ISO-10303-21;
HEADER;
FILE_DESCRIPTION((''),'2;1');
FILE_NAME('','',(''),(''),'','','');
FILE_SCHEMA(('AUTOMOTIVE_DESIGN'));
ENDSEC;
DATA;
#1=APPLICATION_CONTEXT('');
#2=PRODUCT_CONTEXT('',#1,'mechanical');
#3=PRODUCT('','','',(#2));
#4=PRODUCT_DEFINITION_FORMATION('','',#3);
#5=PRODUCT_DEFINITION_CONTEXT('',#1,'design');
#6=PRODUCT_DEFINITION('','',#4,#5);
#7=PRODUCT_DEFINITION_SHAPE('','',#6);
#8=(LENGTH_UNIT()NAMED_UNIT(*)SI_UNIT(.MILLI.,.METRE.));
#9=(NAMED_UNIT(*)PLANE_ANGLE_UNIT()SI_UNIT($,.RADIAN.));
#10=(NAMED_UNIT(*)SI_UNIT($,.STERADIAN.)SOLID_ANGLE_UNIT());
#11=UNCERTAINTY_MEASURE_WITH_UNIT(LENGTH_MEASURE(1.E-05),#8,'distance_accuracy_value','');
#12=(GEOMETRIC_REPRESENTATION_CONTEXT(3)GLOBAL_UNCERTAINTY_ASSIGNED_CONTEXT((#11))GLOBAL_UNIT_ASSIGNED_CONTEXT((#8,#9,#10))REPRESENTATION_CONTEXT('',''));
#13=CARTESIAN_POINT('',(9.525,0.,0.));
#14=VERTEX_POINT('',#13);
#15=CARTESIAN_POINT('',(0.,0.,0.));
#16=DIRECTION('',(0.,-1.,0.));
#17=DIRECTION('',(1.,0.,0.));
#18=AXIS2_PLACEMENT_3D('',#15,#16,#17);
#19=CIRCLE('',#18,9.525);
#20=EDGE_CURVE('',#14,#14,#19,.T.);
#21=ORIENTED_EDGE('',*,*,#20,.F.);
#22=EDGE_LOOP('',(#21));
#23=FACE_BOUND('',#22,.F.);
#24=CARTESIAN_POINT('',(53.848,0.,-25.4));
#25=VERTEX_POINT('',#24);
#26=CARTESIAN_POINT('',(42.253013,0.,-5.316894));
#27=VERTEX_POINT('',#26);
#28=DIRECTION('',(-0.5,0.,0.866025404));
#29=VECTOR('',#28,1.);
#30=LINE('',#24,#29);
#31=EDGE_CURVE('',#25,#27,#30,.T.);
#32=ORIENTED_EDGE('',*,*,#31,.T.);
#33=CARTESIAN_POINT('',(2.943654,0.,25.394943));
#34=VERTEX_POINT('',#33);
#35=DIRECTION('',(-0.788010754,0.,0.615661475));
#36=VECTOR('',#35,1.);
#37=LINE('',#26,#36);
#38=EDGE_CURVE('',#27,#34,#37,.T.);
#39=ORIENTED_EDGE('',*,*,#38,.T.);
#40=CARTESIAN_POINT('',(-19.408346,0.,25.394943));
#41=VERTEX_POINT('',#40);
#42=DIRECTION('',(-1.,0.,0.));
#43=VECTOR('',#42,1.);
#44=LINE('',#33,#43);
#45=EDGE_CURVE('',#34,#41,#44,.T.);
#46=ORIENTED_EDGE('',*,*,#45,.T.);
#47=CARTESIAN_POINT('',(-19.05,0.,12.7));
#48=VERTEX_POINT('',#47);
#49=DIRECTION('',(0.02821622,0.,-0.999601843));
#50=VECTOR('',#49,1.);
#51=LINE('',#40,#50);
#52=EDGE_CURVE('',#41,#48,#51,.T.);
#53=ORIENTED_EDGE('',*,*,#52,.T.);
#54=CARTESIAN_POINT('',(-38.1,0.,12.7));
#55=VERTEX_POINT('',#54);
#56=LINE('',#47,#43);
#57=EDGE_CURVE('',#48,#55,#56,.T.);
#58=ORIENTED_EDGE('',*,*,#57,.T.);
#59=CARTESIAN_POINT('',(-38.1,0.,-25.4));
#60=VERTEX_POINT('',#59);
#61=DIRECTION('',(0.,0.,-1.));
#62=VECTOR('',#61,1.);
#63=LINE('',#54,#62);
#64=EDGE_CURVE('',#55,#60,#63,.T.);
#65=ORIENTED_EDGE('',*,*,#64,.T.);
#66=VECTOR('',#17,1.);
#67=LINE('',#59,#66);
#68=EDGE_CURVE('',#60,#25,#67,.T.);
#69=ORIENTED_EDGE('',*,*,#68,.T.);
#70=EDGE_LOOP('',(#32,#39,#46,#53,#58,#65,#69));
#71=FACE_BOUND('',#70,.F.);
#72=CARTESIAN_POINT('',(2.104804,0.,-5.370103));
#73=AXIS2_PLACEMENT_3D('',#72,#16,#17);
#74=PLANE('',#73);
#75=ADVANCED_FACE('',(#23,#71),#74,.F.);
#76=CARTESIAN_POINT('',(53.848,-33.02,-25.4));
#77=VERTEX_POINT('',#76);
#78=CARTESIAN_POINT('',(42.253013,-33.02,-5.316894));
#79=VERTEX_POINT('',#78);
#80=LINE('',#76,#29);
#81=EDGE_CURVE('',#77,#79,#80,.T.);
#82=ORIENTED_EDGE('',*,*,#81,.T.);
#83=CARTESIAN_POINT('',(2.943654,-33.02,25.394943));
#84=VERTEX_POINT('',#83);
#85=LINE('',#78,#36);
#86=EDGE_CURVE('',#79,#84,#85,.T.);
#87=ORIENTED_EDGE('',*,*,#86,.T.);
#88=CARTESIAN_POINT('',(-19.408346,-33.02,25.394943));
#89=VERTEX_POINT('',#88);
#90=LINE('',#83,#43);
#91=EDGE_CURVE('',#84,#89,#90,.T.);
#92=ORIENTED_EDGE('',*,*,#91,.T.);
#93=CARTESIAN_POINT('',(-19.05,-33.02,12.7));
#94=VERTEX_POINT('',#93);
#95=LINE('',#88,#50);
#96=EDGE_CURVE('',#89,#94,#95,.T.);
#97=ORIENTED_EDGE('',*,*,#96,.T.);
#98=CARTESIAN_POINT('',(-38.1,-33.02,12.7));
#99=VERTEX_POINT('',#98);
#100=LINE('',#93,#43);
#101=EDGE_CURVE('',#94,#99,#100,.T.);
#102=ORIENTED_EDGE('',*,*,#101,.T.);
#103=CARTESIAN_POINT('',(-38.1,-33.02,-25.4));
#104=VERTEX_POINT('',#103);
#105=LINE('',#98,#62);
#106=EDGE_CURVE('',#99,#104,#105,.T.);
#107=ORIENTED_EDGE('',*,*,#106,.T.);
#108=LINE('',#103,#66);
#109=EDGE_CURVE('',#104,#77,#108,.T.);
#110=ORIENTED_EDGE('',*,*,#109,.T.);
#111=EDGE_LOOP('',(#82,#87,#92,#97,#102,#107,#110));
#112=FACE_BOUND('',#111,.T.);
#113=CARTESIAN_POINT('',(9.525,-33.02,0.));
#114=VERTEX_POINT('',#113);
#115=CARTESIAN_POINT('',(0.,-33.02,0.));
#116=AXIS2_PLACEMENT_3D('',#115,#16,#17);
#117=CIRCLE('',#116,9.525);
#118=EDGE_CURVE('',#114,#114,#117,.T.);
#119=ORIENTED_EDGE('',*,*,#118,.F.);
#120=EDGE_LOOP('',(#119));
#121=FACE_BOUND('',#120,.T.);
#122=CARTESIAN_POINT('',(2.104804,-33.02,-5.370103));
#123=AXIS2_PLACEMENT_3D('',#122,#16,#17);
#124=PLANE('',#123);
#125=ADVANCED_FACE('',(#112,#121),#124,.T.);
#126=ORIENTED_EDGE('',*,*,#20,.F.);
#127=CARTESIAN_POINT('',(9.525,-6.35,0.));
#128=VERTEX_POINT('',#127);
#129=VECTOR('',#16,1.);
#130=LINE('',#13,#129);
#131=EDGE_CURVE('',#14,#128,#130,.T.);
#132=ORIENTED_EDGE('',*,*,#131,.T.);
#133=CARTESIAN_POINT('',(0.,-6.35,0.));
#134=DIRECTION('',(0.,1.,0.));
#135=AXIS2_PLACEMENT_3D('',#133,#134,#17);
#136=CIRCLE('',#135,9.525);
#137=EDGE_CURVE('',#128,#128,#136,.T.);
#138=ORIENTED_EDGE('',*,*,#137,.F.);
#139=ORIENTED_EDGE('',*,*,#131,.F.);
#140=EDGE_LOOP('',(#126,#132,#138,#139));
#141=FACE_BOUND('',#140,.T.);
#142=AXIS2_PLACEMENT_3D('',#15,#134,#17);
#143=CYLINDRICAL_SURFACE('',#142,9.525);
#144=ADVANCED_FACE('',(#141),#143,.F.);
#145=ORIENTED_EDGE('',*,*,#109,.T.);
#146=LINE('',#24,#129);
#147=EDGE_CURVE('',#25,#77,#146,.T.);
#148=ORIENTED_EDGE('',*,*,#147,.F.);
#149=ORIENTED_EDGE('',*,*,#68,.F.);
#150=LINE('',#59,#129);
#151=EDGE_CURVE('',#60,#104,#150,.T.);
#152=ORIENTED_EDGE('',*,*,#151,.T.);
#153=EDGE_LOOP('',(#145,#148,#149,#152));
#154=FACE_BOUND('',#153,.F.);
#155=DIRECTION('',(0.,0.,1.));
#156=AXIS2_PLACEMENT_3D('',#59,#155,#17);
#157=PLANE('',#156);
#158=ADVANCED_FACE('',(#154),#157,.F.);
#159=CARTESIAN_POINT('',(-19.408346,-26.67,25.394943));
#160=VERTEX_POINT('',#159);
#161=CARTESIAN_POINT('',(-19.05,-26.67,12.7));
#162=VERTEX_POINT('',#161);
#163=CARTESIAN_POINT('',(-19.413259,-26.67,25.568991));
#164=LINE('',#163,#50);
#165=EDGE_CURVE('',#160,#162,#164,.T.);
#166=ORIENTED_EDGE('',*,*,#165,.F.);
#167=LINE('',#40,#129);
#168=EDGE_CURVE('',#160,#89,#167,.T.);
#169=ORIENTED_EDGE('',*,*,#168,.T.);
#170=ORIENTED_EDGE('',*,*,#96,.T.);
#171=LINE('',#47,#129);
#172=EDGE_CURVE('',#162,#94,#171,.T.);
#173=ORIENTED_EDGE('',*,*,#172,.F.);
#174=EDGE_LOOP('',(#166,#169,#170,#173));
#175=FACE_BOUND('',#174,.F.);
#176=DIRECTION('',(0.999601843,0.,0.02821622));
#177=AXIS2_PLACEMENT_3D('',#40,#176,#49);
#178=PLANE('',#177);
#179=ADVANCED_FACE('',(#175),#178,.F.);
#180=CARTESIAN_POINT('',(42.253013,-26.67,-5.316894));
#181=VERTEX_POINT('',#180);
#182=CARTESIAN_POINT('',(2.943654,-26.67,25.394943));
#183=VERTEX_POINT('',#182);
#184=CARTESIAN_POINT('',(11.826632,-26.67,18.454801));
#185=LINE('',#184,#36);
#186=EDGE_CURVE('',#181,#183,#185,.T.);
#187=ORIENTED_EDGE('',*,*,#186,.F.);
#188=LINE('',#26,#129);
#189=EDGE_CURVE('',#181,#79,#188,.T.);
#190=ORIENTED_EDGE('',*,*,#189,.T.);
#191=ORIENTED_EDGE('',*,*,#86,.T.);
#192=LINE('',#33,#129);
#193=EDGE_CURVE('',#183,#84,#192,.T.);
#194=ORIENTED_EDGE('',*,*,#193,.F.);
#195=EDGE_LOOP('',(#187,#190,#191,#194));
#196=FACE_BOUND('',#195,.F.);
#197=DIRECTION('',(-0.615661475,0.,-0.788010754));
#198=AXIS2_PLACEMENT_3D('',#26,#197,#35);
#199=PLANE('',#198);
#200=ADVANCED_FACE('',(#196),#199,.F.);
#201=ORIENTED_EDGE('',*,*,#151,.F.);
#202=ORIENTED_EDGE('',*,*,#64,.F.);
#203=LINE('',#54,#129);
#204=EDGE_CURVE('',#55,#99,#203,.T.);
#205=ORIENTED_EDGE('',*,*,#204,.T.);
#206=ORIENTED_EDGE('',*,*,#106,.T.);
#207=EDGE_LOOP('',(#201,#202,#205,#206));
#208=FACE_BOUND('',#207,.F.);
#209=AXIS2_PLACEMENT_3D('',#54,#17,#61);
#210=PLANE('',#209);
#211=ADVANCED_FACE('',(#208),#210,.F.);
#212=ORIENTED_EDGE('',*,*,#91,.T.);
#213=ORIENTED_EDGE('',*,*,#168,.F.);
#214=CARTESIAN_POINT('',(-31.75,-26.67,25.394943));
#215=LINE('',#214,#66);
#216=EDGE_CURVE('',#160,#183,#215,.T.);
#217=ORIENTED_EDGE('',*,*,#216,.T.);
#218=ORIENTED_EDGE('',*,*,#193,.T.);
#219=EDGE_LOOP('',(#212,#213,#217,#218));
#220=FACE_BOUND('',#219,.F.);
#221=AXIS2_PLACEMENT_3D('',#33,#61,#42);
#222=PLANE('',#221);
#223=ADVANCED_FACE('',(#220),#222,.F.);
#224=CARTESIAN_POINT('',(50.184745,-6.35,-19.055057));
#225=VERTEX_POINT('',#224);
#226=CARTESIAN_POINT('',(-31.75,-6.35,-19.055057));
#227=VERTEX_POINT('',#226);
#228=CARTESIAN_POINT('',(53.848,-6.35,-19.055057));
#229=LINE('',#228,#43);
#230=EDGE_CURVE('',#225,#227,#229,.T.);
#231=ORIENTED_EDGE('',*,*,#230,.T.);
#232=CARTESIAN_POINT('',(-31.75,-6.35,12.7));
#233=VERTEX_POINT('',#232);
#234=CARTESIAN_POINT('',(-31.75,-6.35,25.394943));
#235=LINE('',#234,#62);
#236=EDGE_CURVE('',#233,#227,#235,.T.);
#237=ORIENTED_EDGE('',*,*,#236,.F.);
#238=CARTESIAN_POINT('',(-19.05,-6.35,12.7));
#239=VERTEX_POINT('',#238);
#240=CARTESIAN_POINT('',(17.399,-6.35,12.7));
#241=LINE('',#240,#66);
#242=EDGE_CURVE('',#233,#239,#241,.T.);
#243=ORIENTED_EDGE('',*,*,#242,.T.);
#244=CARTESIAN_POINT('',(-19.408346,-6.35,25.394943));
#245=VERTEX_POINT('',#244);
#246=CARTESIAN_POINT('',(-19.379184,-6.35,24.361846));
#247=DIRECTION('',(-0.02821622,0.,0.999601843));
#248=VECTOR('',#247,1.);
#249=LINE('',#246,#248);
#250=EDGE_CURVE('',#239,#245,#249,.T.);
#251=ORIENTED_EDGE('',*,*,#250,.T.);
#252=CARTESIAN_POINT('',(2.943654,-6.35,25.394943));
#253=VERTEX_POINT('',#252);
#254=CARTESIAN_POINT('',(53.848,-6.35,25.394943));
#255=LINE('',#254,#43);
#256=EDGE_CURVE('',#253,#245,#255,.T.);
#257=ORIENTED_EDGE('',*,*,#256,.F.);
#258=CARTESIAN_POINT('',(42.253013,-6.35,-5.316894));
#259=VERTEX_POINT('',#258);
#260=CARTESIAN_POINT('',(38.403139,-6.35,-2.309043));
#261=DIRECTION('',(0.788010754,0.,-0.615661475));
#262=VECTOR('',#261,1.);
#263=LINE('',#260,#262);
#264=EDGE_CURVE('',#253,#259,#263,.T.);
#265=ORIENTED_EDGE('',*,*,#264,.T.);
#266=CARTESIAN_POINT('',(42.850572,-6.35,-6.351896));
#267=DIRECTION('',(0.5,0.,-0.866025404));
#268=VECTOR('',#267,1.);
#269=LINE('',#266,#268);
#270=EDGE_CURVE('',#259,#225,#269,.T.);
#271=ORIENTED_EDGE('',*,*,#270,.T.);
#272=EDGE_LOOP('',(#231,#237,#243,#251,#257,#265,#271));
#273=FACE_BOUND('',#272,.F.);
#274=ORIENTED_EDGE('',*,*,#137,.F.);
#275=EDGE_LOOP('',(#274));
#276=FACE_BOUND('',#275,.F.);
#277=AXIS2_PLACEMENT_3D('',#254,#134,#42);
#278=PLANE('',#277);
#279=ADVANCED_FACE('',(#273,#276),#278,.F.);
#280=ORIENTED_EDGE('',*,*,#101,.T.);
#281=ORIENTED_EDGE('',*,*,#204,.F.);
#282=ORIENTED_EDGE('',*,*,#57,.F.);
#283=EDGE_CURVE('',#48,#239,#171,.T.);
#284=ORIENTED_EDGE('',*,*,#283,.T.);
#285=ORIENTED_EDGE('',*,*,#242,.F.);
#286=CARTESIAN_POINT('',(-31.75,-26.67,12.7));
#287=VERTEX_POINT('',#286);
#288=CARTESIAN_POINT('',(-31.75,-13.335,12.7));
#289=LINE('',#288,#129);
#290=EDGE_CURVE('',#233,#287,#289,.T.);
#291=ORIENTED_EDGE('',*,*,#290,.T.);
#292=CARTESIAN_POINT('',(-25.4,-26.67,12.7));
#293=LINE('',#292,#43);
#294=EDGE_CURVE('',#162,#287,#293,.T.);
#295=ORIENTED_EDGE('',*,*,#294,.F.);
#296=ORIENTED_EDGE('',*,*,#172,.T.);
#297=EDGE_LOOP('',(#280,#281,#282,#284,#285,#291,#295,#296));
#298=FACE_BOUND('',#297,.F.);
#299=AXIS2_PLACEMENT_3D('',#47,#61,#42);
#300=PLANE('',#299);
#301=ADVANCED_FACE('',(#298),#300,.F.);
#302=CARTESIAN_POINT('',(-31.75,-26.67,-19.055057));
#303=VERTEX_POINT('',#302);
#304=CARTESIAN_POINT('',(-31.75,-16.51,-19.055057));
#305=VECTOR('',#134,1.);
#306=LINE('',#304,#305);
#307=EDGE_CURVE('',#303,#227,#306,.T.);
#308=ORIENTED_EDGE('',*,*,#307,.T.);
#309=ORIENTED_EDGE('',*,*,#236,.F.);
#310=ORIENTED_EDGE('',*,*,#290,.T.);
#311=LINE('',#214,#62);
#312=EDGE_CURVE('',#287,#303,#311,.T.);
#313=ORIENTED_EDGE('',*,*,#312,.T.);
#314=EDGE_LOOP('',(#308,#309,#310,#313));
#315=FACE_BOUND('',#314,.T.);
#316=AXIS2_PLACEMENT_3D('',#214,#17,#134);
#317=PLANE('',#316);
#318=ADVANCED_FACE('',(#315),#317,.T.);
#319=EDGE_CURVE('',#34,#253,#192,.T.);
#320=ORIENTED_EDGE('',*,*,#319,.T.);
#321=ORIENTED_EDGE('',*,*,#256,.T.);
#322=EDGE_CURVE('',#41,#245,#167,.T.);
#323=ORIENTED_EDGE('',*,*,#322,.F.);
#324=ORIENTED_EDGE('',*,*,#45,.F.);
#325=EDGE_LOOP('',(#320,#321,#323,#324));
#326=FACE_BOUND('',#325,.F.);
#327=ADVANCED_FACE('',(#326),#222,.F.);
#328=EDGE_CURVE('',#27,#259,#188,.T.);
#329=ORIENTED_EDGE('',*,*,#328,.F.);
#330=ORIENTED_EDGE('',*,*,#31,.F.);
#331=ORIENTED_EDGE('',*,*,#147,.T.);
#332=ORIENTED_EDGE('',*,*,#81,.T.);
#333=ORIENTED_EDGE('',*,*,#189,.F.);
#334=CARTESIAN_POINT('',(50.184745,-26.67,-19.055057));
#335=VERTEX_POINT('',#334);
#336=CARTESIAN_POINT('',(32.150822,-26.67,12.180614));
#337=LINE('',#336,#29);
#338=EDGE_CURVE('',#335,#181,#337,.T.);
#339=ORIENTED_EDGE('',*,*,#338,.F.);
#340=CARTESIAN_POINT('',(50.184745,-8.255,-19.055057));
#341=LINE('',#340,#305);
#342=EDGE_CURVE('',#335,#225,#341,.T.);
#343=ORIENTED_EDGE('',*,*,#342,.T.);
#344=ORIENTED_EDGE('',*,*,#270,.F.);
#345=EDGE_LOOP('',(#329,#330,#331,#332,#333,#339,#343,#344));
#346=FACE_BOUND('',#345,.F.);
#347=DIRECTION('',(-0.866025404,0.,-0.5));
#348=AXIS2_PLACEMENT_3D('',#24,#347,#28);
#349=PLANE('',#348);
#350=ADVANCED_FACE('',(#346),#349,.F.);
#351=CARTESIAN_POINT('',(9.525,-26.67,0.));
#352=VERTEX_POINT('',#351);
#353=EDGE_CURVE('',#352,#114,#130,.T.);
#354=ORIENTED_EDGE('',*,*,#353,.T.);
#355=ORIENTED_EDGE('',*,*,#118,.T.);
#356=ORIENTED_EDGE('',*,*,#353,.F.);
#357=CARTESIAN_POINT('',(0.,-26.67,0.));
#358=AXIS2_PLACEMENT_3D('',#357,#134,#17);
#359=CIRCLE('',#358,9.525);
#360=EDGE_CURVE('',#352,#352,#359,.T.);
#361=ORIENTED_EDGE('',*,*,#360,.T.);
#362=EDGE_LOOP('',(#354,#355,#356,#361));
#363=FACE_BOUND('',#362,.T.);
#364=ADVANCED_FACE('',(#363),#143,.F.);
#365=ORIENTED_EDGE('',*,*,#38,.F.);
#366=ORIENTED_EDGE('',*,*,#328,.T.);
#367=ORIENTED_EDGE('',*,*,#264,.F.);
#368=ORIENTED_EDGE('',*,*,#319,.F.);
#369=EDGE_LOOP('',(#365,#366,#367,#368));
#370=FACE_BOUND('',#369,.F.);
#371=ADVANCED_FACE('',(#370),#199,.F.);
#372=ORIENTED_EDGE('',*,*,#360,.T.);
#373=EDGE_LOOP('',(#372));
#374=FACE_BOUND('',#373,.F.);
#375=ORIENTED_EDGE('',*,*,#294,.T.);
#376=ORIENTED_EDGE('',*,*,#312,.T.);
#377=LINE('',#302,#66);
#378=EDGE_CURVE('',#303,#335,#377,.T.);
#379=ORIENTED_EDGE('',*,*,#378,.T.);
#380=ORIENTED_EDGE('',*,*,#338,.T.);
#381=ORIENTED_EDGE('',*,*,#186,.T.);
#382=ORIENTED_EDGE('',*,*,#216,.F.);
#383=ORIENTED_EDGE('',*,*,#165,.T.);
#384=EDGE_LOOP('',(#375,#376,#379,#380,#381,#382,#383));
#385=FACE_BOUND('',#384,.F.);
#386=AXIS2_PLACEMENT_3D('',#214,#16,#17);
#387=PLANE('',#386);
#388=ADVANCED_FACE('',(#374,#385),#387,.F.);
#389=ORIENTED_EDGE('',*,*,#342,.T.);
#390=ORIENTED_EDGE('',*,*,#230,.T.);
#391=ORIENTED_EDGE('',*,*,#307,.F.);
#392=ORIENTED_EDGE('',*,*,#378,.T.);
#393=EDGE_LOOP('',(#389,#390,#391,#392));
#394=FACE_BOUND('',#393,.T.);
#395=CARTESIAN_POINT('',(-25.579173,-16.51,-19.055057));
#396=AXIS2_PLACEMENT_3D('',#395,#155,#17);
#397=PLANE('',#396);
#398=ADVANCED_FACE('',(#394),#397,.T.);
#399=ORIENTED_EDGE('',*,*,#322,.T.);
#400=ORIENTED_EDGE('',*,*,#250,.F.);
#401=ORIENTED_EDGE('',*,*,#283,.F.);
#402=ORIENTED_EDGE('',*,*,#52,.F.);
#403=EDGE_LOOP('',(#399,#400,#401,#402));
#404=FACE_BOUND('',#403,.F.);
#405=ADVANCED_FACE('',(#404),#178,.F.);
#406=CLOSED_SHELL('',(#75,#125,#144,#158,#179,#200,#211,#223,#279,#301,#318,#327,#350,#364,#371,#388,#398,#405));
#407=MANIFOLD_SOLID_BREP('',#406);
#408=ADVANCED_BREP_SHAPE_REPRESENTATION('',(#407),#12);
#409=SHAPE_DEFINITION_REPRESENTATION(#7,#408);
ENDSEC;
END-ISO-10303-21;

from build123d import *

# Parameters (mm, degrees)
F0_R     = 9.525
F1_DEPTH = 33.02
F2_W     = 12.3416540065
F2_H     = 20.32
F2_W_2   = 22.352
F2_W_3   = 50.9043459935
F3_DEPTH = 44.45


with BuildPart() as f1:
    # F0 (on Front) → F1 (new body)
    with BuildSketch(Plane.XZ):
        Polygon((2.9436540065, 25.3949434087), (-19.4083459935, 25.3949434087), (-19.05, 12.7), (-38.1, 12.7), (-38.1, -25.4), (53.848, -25.4), (42.2530133757, -5.3168940537), align=None)
        Circle(F0_R, mode=Mode.SUBTRACT)
    extrude(amount=F1_DEPTH)

    # F2 (on face) → F3 (cut)
    with BuildSketch(Plane.XY.offset(25.3949434087)):
        with Locations((-25.5791729967, -16.51)):
            Rectangle(F2_W, F2_H)
        with Locations((-8.2323459935, -16.51)):
            Rectangle(F2_W_2, F2_H)
        with Locations((28.3958270033, -16.51)):
            Rectangle(F2_W_3, F2_H)
    extrude(amount=-F3_DEPTH, mode=Mode.SUBTRACT)


solid = f1.part
